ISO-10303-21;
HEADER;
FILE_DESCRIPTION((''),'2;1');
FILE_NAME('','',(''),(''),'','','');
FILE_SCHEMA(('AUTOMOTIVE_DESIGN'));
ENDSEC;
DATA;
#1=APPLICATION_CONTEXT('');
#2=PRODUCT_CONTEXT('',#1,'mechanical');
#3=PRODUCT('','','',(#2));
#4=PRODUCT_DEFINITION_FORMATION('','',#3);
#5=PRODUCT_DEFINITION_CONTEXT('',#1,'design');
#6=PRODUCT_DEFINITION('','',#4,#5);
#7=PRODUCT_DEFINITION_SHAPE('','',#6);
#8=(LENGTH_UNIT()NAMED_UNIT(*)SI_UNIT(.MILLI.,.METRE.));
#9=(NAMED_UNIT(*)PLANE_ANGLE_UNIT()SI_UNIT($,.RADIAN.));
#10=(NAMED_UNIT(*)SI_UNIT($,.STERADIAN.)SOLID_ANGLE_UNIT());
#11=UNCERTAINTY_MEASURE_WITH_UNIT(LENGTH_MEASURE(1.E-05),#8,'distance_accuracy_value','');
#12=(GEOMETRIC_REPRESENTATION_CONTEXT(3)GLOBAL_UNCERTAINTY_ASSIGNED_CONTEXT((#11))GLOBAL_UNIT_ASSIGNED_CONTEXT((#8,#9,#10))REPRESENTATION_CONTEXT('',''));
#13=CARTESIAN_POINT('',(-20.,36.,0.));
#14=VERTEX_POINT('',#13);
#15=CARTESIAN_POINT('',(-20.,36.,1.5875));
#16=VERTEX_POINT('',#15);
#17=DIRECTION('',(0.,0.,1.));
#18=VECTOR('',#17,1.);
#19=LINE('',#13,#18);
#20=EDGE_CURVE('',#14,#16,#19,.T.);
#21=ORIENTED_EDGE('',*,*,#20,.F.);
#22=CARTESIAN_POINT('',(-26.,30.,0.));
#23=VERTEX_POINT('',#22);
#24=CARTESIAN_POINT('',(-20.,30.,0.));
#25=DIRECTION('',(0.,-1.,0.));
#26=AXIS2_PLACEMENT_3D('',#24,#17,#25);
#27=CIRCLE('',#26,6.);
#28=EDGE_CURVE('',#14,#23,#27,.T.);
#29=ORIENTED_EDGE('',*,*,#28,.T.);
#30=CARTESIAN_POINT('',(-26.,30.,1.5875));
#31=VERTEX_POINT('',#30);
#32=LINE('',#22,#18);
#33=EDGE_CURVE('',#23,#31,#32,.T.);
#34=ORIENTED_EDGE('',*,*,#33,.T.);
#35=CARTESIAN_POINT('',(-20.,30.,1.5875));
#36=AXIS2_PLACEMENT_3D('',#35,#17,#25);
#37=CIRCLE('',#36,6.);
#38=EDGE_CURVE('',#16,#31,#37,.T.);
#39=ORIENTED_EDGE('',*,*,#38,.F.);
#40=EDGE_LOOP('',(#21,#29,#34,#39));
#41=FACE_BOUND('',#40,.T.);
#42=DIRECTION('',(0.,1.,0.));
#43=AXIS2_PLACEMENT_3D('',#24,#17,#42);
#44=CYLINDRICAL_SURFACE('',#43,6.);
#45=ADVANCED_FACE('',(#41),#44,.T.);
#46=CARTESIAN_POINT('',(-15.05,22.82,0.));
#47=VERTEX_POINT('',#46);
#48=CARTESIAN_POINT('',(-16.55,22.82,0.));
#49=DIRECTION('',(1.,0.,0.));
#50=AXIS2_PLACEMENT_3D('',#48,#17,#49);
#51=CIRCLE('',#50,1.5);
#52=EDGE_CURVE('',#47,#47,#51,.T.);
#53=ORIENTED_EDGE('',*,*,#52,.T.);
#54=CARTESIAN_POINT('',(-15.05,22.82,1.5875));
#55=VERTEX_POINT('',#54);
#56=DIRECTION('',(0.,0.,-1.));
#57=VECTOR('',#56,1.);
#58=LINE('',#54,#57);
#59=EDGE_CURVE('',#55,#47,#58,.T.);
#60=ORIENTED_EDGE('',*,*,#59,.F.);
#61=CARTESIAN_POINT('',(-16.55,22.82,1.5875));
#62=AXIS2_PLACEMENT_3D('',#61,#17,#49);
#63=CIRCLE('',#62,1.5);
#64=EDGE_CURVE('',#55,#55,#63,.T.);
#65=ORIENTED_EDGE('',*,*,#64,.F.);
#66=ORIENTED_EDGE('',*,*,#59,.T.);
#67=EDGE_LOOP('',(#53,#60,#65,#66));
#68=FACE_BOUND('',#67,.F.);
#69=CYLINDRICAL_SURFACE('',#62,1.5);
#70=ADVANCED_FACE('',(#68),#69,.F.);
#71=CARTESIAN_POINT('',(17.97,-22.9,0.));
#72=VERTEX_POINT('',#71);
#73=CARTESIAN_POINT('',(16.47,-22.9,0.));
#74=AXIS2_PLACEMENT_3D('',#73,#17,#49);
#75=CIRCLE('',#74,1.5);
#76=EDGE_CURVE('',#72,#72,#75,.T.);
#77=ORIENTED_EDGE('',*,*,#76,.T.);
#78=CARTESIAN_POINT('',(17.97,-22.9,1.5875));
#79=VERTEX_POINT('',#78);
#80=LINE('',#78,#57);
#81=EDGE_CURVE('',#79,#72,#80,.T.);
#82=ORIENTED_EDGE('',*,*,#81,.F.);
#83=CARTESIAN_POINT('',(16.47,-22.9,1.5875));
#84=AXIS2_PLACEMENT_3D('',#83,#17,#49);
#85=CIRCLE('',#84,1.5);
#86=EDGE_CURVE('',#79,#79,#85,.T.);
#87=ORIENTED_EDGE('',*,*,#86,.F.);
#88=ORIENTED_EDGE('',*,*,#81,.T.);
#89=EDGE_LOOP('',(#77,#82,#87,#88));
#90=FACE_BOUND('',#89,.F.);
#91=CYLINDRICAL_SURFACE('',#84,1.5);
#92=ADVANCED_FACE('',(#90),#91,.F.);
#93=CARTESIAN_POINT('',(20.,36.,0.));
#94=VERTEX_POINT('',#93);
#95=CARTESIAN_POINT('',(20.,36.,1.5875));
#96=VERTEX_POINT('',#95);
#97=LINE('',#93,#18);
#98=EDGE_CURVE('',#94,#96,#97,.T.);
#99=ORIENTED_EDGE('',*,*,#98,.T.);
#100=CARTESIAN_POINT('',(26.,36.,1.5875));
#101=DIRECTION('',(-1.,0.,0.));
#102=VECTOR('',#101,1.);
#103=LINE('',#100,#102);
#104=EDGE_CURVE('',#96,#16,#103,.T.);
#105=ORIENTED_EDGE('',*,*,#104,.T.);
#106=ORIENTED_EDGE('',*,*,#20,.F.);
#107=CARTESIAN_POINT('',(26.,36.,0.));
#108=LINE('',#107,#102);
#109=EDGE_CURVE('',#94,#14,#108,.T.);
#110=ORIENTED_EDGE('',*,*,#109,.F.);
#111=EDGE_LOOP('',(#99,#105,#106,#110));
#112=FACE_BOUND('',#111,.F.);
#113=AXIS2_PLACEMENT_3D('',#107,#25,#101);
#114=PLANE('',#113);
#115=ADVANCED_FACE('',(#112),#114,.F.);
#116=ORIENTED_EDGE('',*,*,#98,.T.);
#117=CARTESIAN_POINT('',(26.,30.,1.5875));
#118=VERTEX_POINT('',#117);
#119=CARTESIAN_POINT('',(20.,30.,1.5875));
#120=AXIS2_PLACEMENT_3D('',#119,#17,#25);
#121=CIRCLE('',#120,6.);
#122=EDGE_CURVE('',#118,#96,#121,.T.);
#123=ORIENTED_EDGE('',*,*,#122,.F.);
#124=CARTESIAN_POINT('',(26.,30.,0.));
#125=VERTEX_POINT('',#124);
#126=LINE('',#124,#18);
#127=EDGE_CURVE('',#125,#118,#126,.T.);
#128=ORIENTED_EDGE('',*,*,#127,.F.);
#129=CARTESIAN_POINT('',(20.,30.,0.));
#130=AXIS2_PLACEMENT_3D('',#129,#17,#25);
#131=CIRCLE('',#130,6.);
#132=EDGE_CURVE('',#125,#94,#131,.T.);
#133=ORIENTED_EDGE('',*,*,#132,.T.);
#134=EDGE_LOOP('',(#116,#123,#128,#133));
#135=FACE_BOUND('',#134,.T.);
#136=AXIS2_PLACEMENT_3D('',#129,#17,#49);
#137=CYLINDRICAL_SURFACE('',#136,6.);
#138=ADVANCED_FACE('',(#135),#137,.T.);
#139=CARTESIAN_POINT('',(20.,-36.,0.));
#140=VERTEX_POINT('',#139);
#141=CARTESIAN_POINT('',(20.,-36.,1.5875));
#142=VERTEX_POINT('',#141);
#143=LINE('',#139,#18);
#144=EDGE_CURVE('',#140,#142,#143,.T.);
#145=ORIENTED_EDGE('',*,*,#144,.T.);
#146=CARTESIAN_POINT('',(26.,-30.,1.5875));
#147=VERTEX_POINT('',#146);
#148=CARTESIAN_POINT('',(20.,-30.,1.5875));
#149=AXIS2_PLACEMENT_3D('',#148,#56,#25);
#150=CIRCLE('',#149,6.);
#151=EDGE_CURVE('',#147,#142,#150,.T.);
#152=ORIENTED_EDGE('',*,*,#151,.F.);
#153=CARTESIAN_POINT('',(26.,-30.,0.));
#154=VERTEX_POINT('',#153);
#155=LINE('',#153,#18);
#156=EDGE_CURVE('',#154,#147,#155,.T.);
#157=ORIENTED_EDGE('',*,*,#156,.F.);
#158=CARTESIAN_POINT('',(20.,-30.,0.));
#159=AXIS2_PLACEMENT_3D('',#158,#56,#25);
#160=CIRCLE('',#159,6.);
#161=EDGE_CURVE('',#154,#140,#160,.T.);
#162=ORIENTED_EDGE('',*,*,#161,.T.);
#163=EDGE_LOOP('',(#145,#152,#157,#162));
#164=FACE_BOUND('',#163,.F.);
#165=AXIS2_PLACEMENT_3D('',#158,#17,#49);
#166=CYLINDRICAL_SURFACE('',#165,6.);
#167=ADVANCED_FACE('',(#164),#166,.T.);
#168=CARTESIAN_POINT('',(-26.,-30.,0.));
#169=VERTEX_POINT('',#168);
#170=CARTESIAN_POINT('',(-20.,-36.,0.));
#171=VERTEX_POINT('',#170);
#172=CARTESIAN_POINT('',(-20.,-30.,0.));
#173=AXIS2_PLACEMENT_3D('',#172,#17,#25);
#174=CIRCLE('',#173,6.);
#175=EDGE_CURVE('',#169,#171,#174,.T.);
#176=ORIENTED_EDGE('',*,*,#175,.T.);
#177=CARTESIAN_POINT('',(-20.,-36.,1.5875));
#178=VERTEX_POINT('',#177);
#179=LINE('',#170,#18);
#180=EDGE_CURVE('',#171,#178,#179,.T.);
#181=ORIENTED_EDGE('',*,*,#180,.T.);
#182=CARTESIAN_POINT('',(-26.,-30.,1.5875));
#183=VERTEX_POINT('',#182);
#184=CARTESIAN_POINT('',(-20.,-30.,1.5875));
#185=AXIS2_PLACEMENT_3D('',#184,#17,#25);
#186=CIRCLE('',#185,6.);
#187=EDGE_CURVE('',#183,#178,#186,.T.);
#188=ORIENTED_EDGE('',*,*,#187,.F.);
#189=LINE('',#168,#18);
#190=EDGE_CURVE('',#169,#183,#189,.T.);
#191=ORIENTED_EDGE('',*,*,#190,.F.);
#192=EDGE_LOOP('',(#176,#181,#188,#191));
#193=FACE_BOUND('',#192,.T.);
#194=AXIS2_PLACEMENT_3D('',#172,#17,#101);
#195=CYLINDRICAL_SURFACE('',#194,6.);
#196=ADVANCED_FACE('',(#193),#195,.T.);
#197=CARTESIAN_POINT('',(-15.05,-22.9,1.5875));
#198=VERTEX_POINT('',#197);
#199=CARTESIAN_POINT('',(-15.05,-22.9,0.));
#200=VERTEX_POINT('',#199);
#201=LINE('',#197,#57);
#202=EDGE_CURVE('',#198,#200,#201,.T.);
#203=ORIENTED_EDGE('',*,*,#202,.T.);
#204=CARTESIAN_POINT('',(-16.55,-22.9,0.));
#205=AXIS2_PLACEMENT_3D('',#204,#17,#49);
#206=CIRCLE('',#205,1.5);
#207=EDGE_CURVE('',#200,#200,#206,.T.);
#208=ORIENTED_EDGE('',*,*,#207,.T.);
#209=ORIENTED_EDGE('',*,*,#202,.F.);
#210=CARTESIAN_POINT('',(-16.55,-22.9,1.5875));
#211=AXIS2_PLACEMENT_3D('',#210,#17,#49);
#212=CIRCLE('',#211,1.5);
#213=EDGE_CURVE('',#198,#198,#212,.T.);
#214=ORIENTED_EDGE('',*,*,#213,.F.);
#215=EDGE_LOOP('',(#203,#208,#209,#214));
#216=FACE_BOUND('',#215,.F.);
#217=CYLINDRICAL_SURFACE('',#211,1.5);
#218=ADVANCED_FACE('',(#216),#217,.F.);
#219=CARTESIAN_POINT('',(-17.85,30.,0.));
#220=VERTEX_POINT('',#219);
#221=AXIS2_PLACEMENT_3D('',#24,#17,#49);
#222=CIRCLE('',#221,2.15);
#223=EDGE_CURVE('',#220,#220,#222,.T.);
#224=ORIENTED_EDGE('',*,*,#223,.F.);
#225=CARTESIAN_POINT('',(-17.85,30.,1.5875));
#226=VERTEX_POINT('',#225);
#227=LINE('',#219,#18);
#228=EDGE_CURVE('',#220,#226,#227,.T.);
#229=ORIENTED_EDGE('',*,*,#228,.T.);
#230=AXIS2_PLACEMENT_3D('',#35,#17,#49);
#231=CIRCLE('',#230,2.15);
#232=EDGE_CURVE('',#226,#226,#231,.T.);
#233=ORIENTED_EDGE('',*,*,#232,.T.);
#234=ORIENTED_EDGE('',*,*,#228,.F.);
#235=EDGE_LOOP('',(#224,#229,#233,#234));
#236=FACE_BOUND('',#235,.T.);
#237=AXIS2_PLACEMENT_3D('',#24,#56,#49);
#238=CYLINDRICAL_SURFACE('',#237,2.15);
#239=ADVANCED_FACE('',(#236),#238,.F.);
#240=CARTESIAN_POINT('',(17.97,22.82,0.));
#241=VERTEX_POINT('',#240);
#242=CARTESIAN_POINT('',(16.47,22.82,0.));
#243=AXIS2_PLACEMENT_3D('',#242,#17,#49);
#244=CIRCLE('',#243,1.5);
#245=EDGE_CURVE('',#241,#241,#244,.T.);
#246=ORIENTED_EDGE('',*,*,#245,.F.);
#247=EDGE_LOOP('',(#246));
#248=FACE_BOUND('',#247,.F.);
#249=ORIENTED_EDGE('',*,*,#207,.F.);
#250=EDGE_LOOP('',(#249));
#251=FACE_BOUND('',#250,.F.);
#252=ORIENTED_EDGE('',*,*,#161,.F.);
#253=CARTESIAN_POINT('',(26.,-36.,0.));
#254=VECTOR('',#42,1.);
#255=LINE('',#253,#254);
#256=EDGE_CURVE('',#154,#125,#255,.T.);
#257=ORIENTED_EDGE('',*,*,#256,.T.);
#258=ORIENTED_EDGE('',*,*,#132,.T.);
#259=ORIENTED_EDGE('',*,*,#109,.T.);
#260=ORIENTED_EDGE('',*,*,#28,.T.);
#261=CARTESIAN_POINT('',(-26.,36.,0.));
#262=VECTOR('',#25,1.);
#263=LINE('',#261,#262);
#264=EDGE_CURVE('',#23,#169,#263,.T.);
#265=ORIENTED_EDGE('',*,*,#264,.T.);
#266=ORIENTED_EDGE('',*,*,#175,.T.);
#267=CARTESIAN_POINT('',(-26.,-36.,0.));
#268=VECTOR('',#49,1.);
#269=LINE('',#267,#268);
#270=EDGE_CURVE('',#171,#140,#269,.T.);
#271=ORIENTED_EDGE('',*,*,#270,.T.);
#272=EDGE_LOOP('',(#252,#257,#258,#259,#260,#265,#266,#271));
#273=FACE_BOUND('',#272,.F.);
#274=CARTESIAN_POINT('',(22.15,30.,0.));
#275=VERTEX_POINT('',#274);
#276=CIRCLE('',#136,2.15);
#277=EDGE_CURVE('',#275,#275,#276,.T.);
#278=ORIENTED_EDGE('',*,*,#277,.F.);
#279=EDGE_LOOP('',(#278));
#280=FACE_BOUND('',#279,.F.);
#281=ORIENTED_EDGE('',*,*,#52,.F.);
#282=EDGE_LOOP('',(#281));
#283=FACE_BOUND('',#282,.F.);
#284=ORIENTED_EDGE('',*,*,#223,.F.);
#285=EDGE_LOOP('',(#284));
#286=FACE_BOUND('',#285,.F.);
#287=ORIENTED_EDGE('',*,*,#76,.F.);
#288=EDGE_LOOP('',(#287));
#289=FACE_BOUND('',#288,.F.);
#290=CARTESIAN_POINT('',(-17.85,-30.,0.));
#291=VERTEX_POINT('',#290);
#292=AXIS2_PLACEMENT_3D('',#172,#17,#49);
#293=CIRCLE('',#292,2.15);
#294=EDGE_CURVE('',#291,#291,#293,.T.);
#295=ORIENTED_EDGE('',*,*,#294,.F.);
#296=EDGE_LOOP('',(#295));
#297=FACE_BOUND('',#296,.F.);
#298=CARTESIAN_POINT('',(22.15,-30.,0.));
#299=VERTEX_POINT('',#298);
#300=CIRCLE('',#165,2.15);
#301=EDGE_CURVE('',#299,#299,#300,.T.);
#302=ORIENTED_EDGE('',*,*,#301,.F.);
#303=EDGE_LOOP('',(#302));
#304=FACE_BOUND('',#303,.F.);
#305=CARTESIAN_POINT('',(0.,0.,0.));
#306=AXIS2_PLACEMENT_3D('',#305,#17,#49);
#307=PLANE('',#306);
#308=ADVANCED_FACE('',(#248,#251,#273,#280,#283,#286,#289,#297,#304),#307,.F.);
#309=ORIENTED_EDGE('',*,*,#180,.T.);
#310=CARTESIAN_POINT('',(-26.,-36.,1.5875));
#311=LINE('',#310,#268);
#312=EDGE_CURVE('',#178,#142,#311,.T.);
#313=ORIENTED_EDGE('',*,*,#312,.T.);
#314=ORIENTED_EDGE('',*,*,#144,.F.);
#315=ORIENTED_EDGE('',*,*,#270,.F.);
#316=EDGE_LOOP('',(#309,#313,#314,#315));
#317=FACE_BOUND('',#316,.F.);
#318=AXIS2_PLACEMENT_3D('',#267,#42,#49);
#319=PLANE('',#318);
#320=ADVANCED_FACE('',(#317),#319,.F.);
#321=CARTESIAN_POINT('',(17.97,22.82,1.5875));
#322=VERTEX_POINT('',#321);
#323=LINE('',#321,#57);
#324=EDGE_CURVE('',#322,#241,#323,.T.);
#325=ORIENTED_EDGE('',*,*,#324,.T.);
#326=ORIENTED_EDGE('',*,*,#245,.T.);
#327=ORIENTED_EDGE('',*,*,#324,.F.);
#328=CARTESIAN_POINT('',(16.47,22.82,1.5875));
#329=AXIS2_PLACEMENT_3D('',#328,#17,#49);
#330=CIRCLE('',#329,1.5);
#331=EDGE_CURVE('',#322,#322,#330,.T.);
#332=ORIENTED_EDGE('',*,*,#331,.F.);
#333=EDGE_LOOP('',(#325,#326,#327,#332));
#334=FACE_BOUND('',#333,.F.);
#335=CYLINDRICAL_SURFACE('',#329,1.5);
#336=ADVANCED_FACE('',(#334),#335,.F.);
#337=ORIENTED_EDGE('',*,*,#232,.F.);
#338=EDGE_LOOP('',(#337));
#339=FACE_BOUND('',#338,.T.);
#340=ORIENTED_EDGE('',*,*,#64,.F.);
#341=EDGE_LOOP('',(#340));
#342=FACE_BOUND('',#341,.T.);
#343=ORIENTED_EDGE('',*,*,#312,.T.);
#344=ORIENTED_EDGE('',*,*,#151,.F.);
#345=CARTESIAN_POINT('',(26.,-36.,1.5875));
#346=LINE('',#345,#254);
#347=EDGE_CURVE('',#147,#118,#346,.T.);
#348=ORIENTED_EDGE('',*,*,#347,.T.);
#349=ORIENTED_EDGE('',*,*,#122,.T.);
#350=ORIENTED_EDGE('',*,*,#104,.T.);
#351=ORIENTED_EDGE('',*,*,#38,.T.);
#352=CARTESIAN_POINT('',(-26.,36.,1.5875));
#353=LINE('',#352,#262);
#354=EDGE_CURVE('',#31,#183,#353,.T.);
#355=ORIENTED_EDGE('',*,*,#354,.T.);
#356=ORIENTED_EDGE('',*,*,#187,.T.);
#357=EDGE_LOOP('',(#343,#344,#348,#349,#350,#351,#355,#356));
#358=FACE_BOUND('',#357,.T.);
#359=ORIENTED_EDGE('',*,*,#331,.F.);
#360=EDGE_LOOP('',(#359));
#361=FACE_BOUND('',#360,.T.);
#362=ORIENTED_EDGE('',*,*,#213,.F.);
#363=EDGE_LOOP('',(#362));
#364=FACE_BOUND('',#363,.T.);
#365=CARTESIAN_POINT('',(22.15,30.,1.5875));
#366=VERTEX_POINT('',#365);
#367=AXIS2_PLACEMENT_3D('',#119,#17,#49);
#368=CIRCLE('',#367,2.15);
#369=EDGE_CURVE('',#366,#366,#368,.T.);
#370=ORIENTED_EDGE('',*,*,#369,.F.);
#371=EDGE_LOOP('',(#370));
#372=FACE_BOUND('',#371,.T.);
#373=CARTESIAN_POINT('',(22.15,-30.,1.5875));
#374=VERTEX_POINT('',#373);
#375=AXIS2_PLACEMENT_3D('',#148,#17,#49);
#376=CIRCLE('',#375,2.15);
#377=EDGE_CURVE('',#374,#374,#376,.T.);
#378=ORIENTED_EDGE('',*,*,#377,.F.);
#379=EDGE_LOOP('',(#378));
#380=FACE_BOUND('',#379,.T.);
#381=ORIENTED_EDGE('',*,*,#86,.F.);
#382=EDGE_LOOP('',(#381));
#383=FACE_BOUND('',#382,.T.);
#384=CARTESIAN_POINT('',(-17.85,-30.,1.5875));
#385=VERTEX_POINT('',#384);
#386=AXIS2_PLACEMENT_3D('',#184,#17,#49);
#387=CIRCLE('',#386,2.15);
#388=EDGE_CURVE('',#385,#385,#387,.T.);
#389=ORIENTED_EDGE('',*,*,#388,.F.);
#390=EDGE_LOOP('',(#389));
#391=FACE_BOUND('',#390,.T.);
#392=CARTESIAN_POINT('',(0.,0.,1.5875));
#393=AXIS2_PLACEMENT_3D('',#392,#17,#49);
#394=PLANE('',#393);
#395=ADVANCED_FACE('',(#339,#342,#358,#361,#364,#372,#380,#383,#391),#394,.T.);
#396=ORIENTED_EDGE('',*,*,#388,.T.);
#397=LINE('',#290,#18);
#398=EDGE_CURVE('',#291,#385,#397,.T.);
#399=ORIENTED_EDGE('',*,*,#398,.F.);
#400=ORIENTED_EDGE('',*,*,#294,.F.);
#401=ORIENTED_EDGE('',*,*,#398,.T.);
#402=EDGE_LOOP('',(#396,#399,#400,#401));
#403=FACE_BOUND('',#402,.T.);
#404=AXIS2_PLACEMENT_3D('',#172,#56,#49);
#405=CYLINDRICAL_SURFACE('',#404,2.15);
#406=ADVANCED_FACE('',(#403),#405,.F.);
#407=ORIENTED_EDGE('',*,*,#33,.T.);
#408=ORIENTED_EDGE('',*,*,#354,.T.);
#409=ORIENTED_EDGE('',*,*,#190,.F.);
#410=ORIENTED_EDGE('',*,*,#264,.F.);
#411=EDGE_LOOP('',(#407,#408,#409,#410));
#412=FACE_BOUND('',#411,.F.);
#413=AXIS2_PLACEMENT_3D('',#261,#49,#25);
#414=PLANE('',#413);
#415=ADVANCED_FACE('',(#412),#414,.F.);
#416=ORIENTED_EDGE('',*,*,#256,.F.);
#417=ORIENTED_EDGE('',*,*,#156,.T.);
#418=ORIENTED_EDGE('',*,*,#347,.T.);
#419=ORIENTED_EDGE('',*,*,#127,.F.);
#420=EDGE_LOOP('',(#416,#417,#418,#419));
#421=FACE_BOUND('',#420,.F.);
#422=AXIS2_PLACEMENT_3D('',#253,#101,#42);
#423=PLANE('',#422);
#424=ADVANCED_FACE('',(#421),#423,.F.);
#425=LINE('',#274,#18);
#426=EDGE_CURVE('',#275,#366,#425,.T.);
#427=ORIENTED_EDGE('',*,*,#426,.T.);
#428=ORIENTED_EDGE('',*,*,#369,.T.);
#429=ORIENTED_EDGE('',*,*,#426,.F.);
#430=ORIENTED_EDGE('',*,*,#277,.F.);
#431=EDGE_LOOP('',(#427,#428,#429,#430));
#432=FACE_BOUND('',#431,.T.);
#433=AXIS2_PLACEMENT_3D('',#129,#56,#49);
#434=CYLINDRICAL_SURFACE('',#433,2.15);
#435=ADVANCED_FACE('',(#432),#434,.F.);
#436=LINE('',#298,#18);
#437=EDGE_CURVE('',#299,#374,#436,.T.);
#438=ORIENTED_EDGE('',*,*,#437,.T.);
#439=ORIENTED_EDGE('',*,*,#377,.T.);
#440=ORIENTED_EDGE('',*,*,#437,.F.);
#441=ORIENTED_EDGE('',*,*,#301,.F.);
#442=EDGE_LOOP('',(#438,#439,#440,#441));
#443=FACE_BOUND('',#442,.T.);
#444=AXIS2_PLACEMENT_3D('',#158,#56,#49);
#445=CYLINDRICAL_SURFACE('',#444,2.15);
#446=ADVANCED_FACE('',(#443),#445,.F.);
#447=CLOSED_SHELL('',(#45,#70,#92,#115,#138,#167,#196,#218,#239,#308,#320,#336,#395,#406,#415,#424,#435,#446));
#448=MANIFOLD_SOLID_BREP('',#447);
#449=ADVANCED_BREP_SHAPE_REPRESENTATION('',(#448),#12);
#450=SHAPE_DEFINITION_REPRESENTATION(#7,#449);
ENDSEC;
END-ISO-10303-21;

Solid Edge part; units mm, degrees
sketch "Sketch1" plane through (0, 0, 0) normal (0, 0, 1) x (1, 0, 0)
  line L0 (26, -36) -> (26, 36)
  line L1 (26, 36) -> (-26, 36)
  line L2 (-26, 36) -> (-26, -36)
  line L3 (-26, -36) -> (26, -36)
  circle A0 centre (20, 30) radius 2.15
  circle A1 centre (-20, -30) radius 2.15
  circle A2 centre (-20, 30) radius 2.15
  circle A3 centre (20, -30) radius 2.15
extrude "Protrusion1" add sketch "Sketch1" along normal blind 1.5875
fillet "Round_1" radius 6 4 edges at (-26, -36, 0.7937) (26, -36, 0.7937) (26, 36, 0.7937) (-26, 36, 0.7937)
sketch "Sketch2" plane through (0, 0, 1.5875) normal (0, 0, 1) x (1, 0, 0)
  circle A0 centre (16.47, 22.82) radius 1.5
  circle A1 centre (16.47, -22.9) radius 1.5
  circle A2 centre (-16.55, -22.9) radius 1.5
  circle A3 centre (-16.55, 22.82) radius 1.5
extrude "Cutout1" cut sketch "Sketch2" against normal up to next
properties material "Acrylic, high impact grade"
